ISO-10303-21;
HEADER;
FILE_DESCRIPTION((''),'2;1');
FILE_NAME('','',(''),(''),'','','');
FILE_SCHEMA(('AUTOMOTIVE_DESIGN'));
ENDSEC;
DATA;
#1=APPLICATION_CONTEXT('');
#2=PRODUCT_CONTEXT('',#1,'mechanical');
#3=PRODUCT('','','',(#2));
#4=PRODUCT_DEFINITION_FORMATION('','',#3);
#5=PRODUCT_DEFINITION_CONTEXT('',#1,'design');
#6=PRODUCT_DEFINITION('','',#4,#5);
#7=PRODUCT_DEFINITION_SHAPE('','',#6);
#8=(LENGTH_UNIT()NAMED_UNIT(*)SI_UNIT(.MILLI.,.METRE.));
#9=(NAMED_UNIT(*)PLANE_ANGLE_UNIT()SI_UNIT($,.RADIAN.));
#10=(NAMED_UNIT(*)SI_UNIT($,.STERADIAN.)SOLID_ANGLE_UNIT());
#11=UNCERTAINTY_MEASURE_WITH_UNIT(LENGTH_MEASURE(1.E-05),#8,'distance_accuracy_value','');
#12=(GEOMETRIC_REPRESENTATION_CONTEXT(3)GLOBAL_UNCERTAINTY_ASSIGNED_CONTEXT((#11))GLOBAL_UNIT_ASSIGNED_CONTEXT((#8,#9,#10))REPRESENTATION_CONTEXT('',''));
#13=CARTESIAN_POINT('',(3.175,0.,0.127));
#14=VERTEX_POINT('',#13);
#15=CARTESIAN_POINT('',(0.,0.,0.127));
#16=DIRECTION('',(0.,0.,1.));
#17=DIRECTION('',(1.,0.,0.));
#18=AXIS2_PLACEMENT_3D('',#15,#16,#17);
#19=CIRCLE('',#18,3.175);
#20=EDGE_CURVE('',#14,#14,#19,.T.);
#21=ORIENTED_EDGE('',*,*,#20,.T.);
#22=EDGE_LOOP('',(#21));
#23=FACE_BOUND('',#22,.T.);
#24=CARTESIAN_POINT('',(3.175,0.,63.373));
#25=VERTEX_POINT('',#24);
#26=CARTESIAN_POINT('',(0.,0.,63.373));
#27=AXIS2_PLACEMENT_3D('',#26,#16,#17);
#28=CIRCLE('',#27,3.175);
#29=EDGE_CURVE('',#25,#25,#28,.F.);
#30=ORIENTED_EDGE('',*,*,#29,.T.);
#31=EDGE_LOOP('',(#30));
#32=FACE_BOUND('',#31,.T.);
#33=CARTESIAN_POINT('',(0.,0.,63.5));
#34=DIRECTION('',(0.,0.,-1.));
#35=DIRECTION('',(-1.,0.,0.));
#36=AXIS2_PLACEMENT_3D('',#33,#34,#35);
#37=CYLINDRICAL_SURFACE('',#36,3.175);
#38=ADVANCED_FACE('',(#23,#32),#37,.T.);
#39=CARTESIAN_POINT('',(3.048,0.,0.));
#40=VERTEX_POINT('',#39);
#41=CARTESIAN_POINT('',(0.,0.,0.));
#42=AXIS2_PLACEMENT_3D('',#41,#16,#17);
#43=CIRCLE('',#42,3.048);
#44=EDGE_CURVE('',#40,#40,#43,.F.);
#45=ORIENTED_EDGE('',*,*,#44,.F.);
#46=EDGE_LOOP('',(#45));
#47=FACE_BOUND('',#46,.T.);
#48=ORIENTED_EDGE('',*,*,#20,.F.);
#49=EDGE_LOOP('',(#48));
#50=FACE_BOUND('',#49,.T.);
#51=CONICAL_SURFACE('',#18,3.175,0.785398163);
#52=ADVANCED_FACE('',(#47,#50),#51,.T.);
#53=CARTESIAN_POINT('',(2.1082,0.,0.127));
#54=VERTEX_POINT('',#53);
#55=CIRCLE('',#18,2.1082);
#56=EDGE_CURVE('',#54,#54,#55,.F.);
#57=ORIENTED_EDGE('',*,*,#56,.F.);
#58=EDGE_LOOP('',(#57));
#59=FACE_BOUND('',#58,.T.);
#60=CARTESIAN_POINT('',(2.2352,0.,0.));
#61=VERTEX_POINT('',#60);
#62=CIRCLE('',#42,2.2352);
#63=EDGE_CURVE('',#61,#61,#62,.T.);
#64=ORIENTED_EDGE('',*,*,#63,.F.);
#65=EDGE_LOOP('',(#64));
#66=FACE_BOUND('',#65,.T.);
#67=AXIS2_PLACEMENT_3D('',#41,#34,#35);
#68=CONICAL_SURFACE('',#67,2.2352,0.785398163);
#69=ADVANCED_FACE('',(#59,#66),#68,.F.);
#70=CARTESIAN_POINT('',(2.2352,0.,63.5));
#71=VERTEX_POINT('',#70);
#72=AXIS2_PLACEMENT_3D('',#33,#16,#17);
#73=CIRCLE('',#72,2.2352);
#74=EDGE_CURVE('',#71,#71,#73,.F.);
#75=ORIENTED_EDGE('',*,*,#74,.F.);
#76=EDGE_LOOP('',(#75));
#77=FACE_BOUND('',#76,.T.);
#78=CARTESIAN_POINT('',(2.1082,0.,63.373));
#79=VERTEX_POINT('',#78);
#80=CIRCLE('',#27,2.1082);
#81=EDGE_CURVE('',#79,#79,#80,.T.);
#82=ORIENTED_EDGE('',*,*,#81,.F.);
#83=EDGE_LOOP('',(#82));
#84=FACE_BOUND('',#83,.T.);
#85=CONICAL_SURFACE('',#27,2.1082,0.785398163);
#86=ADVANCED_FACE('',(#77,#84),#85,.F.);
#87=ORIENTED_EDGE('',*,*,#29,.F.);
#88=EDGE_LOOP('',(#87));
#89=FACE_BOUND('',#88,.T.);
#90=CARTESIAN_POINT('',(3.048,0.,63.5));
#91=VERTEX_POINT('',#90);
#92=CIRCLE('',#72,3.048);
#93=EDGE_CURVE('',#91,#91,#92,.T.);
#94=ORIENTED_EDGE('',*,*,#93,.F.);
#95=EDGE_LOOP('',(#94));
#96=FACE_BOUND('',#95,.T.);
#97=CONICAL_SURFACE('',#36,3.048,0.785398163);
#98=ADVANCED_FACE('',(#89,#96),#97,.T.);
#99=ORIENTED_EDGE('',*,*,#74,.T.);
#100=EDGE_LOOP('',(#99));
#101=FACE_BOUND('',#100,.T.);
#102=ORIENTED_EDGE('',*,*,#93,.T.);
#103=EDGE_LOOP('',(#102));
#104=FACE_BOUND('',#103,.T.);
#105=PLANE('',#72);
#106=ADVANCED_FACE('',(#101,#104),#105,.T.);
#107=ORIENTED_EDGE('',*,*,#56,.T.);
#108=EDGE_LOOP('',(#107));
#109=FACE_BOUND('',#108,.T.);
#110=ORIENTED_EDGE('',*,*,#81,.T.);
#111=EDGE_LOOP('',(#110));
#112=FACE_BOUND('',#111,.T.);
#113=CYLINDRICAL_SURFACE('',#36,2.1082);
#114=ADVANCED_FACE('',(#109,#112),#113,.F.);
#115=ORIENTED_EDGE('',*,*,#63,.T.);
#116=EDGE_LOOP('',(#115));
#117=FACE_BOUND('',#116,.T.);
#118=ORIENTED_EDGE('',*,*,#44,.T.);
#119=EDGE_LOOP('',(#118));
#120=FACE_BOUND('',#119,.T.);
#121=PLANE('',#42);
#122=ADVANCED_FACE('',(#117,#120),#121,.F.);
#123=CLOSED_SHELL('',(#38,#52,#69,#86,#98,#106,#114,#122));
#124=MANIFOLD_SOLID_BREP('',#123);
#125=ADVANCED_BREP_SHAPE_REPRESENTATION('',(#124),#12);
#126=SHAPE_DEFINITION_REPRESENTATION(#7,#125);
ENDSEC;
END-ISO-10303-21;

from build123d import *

# Parameters (mm, degrees)
SKETCH1_R           = 3.175
SKETCH1_R_2         = 2.1082
BOSS_EXTRUDE1_DEPTH = 63.5
CHAMFER1_SIZE       = 0.127


with BuildPart() as part:
    # Sketch1 → Boss-Extrude1 (new body)
    with BuildSketch(Plane.XY):
        Circle(SKETCH1_R)
        Circle(SKETCH1_R_2, mode=Mode.SUBTRACT)
    extrude(amount=BOSS_EXTRUDE1_DEPTH)

    # Chamfer1
    chamfer1_edges = [part.edges().sort_by_distance(p)[0] for p in [
        (-3.175, 0, 0),
        (-3.175, 0, 63.5),
        (-2.1082, 0, 0),
        (-2.1082, 0, 63.5),
    ]]
    chamfer(chamfer1_edges, length=CHAMFER1_SIZE)


solid = part.part
